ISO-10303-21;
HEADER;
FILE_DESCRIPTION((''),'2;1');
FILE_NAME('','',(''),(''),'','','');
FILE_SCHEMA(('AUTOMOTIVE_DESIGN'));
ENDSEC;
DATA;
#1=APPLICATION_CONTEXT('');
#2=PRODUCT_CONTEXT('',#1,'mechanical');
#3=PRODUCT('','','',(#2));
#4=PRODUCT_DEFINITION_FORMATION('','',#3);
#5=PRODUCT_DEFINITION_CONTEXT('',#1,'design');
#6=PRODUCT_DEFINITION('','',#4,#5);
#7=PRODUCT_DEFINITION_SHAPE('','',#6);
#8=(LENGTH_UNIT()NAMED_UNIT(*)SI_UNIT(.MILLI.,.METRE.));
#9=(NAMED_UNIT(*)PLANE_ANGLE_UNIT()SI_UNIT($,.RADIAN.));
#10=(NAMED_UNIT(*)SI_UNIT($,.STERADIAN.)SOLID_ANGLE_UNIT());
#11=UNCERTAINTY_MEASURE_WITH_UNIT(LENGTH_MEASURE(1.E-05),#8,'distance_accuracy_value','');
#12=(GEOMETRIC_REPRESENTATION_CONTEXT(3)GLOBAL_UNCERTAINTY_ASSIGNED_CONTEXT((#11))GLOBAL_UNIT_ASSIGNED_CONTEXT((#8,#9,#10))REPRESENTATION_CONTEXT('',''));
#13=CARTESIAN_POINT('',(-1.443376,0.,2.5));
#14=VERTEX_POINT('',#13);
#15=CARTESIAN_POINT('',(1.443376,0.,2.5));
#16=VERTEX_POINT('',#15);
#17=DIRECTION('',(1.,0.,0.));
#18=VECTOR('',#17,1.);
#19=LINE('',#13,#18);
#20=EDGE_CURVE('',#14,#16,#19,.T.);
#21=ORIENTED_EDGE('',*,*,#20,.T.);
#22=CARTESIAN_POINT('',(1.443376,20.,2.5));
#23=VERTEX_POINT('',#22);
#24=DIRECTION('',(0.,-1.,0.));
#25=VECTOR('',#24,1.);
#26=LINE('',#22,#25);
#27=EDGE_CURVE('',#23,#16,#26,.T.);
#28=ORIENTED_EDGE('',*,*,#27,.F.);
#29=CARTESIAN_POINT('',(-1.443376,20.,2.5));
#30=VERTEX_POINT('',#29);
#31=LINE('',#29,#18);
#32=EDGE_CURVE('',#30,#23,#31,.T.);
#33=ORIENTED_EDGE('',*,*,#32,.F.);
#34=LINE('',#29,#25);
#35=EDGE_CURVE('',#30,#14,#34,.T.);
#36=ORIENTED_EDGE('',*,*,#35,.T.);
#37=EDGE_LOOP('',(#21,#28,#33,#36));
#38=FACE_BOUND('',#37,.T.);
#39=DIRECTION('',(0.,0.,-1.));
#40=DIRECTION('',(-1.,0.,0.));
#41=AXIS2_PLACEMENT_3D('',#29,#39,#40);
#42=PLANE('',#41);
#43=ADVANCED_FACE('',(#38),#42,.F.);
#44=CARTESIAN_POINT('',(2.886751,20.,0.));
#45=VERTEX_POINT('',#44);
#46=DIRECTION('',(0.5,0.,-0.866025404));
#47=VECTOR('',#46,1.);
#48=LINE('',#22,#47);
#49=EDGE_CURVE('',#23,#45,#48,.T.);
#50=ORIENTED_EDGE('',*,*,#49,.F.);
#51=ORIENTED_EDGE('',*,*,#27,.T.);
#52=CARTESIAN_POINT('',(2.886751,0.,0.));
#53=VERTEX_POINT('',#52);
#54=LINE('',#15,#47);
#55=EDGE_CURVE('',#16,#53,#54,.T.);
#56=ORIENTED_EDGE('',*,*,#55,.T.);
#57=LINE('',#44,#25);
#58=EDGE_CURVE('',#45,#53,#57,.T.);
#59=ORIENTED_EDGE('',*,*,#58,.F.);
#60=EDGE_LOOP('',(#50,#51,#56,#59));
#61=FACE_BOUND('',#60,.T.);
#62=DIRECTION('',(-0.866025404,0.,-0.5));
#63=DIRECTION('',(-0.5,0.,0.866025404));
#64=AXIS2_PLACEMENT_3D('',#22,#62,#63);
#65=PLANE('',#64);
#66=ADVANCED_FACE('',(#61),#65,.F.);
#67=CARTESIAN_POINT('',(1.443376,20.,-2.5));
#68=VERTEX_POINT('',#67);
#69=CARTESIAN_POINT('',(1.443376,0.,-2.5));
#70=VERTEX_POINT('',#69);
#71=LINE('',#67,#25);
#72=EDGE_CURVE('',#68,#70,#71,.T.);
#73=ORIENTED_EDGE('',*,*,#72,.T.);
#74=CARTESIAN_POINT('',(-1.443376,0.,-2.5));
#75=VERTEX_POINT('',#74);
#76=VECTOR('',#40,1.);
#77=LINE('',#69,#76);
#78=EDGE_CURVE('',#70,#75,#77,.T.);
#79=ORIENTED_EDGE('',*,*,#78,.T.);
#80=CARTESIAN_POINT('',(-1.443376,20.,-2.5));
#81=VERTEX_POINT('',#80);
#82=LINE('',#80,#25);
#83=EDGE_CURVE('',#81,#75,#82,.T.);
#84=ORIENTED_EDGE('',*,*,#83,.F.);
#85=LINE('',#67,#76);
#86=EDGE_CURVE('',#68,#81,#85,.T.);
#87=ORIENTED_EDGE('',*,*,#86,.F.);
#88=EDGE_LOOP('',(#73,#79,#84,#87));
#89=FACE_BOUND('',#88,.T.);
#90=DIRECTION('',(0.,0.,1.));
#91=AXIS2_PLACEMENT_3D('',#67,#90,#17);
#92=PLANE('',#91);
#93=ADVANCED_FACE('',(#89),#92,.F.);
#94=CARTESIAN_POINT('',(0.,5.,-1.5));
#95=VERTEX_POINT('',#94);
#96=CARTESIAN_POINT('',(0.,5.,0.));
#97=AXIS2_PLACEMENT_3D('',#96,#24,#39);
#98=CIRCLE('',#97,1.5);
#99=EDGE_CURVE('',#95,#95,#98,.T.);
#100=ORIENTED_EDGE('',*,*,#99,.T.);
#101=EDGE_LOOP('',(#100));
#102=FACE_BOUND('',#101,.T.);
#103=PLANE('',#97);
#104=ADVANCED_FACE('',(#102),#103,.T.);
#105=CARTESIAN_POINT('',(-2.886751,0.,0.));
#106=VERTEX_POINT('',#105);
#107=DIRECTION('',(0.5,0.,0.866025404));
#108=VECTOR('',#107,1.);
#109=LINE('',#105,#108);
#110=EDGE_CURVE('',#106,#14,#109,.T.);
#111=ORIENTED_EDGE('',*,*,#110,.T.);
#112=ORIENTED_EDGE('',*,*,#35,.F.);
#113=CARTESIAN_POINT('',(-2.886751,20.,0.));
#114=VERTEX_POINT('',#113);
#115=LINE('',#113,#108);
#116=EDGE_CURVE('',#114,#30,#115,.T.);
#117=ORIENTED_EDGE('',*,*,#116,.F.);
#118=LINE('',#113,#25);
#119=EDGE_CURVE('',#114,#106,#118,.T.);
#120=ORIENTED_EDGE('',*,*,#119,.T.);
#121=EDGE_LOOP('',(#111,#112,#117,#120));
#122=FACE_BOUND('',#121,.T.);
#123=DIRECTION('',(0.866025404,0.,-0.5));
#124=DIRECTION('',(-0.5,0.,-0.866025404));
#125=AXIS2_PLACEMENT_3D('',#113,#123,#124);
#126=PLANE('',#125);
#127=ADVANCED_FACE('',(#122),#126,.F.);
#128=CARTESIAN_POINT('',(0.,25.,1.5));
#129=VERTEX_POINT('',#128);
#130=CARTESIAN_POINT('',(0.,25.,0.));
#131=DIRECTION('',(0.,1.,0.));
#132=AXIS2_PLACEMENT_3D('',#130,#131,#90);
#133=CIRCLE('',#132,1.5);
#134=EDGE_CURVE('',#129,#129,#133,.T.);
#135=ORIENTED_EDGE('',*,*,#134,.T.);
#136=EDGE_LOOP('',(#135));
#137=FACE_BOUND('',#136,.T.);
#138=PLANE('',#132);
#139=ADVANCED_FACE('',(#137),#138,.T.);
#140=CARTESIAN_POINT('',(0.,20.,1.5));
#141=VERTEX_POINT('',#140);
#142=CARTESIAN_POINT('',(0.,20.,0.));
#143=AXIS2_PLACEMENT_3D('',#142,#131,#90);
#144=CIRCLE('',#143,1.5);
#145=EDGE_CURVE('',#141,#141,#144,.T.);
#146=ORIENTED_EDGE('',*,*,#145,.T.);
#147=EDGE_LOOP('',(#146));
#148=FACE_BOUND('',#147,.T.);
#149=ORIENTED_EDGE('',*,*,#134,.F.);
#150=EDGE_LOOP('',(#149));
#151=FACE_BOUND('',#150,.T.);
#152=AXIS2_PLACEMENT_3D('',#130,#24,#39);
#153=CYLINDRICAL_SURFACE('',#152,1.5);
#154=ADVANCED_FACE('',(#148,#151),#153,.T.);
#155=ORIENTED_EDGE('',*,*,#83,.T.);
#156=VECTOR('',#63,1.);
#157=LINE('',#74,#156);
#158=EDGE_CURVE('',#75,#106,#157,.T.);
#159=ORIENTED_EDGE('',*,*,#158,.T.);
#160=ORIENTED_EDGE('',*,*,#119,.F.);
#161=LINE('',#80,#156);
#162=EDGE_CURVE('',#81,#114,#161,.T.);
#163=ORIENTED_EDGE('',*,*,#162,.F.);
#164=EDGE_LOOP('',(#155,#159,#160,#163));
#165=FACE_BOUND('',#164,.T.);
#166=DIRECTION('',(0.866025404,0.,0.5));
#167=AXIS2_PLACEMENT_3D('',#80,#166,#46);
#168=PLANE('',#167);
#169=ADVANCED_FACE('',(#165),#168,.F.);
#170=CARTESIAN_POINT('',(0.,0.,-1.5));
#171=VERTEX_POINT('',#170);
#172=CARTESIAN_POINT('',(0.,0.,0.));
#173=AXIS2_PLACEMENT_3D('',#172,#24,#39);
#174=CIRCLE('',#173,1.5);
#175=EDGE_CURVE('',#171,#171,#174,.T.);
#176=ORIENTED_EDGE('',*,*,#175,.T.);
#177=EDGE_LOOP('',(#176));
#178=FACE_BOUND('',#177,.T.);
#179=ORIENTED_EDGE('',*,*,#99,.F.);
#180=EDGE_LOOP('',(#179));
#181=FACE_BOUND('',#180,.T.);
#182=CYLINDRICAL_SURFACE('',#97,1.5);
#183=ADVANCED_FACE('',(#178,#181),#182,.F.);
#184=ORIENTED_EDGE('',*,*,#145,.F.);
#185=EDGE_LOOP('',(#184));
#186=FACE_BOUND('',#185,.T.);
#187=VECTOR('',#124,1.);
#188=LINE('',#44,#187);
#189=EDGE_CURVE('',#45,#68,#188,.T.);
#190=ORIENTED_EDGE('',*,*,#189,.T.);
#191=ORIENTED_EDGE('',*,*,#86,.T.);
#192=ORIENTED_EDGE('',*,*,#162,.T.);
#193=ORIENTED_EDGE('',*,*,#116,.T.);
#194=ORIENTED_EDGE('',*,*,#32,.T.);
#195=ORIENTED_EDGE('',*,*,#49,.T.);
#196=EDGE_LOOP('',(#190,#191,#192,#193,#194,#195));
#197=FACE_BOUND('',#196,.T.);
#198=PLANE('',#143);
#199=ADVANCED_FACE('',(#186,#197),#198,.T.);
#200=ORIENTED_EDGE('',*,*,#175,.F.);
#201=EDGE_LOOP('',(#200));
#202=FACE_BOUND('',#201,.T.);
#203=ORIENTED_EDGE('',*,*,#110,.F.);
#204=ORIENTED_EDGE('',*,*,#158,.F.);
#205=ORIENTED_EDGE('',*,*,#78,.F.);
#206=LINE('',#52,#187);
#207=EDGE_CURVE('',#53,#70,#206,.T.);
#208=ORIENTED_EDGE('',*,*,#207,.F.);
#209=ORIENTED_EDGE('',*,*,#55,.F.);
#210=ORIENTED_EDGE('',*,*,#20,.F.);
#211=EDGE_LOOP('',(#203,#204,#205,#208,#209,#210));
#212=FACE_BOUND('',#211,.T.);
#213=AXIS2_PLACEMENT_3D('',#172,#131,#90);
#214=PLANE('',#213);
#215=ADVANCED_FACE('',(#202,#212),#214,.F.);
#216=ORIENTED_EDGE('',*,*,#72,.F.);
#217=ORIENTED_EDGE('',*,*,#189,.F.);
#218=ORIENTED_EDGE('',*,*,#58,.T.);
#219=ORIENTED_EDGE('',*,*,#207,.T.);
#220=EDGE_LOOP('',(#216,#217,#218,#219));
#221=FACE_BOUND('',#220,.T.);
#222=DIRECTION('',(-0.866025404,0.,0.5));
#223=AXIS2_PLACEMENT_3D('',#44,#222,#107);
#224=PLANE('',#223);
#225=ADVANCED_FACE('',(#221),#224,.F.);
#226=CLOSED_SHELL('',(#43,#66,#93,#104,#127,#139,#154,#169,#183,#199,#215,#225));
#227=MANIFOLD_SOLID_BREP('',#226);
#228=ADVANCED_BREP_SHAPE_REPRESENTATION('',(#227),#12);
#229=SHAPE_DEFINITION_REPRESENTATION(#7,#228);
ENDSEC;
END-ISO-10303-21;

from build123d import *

# Parameters (mm, degrees)
EXTRUDE_1_DEPTH     = 20
SKETCH_2_R          = 1.5
EXTRUDE_2_DEPTH     = 5
SKETCH_3_R          = 1.5
CUT_EXTRUDE_1_DEPTH = 5


with BuildPart() as part:
    # 草圖1 → 填料-伸長1 (new body)
    with BuildSketch(Plane(origin=(0, 0, 0), x_dir=(1, 0, 0), z_dir=(0, 1, 0))):
        Polygon((2.886751346, 0), (1.443375673, 2.5), (-1.443375673, 2.5), (-2.886751346, 0), (-1.443375673, -2.5), (1.443375673, -2.5), align=None)
    extrude(amount=EXTRUDE_1_DEPTH)

    # 草圖2 → 填料-伸長2 (add)
    with BuildSketch(Plane(origin=(0, 20, 0), x_dir=(1, 0, 0), z_dir=(0, 1, 0))):
        Circle(SKETCH_2_R)
    extrude(amount=EXTRUDE_2_DEPTH)

    # 草圖3 → 除料-伸長1 (cut)
    with BuildSketch(Plane.XZ):
        Circle(SKETCH_3_R)
    extrude(amount=-CUT_EXTRUDE_1_DEPTH, mode=Mode.SUBTRACT)


solid = part.part
